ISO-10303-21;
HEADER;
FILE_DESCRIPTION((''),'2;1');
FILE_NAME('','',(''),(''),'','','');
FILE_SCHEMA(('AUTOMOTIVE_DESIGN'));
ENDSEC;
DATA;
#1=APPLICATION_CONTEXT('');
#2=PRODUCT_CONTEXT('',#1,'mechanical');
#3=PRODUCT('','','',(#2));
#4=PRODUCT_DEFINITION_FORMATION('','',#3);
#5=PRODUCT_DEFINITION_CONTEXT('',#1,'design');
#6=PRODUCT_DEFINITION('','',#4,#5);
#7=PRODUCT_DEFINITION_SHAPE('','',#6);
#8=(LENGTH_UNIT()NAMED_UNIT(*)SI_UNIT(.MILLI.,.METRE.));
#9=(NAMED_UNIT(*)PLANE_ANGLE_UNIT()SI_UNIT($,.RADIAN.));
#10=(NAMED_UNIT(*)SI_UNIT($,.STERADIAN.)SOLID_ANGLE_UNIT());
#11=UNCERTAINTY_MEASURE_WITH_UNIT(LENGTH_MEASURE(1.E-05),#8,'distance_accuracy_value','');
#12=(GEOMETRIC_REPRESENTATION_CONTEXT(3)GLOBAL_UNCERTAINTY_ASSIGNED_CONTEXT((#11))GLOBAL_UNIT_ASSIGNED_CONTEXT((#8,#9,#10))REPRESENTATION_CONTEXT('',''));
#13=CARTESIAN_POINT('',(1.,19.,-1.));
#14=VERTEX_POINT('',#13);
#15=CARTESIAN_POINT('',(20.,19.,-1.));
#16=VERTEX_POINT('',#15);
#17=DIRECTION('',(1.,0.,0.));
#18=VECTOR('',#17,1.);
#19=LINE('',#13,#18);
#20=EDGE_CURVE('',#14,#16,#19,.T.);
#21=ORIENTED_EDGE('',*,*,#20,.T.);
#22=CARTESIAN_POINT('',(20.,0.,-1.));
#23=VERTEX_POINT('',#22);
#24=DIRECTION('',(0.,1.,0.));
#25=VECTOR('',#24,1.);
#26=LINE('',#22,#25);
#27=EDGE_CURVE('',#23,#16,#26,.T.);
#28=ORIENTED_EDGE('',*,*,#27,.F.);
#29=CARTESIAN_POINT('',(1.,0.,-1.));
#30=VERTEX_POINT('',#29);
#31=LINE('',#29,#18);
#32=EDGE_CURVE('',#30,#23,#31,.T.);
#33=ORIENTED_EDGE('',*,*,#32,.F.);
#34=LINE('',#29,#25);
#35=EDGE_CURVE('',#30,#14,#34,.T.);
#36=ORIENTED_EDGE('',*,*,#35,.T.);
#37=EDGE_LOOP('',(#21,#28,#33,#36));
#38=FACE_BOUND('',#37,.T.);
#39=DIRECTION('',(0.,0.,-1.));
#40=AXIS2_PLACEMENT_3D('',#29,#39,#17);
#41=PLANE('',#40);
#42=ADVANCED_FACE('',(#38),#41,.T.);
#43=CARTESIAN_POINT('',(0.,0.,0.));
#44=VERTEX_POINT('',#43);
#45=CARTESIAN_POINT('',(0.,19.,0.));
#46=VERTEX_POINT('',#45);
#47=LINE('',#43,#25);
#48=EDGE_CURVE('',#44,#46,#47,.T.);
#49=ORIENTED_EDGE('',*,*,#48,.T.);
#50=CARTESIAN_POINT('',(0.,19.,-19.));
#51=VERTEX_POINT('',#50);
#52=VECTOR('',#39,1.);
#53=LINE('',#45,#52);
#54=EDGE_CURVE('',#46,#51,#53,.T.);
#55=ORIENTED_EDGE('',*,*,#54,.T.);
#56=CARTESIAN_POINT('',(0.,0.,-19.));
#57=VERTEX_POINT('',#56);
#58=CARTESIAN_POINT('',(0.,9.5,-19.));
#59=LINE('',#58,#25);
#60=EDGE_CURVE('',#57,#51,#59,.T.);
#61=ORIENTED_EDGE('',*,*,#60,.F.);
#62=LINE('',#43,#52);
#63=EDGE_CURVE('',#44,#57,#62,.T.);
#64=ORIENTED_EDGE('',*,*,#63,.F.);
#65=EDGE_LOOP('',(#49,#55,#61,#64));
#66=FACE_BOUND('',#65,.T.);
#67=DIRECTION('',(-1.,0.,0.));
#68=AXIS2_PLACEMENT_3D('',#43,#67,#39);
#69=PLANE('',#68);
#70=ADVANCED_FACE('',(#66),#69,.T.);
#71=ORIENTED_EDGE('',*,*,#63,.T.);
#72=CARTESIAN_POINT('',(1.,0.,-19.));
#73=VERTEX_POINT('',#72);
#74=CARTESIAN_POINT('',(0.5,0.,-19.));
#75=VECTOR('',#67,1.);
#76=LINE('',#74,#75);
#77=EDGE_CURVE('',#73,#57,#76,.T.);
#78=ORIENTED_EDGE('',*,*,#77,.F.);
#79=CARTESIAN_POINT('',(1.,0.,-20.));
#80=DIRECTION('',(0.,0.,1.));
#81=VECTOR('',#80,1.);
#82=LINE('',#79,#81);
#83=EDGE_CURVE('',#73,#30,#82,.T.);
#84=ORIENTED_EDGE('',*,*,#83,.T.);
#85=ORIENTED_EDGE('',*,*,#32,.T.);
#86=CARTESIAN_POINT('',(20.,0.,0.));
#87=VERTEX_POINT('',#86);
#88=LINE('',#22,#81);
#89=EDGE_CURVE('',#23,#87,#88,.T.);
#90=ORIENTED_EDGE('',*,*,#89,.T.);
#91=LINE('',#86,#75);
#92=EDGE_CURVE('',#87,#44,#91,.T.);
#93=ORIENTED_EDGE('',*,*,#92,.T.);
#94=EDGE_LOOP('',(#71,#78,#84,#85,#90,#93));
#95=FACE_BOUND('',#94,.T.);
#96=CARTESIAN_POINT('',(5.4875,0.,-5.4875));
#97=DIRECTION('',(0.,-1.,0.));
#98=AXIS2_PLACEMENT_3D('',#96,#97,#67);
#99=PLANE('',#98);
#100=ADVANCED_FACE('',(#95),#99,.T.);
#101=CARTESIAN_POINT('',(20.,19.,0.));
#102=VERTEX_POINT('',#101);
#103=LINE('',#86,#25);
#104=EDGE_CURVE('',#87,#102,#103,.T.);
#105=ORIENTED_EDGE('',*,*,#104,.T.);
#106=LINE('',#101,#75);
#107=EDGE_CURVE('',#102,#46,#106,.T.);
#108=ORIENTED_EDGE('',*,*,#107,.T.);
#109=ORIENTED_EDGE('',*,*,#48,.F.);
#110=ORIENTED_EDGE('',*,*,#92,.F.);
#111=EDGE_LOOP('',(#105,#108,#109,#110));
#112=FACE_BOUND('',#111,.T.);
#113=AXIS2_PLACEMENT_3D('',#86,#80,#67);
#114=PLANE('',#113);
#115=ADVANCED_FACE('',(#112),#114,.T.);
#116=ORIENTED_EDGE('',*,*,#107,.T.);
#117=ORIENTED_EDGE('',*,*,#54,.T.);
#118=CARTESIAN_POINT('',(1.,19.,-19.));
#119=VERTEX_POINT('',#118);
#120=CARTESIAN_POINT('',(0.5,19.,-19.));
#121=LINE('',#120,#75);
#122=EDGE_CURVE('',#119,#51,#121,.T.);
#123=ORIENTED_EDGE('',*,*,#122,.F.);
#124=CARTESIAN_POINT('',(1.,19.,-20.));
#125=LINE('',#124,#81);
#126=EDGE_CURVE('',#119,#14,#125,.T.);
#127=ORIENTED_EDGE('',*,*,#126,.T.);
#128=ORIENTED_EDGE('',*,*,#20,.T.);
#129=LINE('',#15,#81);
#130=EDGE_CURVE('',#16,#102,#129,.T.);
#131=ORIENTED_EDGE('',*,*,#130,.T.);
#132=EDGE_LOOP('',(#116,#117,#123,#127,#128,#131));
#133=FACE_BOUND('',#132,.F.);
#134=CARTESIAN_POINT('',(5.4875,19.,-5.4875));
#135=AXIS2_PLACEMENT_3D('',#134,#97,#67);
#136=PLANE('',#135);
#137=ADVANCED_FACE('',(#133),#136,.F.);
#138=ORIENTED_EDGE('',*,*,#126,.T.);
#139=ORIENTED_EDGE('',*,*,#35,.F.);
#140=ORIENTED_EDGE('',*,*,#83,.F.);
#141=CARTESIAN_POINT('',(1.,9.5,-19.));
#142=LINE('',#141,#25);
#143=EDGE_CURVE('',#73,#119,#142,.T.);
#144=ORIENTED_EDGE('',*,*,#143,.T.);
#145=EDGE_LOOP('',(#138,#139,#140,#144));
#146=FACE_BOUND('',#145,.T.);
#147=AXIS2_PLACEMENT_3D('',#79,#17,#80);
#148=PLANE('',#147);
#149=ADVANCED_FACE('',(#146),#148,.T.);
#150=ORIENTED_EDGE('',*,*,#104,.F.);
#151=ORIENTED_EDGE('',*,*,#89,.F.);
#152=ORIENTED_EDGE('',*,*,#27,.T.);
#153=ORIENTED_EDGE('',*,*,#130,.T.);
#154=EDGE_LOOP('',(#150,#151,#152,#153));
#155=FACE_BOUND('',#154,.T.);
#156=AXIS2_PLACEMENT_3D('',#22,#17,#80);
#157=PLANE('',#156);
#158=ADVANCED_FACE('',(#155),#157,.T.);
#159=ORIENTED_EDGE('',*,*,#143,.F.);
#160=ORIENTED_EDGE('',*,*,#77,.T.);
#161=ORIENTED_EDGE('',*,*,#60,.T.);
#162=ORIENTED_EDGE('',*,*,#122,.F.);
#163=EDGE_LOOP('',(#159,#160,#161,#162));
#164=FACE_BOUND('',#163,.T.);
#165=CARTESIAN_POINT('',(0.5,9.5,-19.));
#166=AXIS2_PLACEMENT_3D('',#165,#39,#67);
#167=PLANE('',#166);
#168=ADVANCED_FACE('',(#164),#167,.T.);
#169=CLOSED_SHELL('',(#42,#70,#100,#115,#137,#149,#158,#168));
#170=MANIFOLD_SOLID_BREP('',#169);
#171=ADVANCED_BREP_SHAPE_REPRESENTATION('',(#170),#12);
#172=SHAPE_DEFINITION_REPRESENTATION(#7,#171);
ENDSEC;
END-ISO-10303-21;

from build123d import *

# Parameters (mm, degrees)
EXTRUDE_1_DEPTH    = 19
SKETCH1_W          = 1
SKETCH1_H          = 19
CUT_EXTRUDE1_DEPTH = 1


with BuildPart() as part:
    # Эскиз1 → Бобышка-Вытянуть1 (new body)
    with BuildSketch(Plane(origin=(0, 0, 0), x_dir=(1, 0, 0), z_dir=(0, 1, 0))):
        Polygon((0, 0), (0, 20), (1, 20), (1, 1), (20, 1), (20, 0), align=None)
    extrude(amount=EXTRUDE_1_DEPTH)

    # Sketch1 → Cut-Extrude1 (cut)
    with BuildSketch(Plane(origin=(0, 0, -20), x_dir=(-1, 0, 0), z_dir=(0, 0, -1))):
        with Locations((-0.5, 9.5)):
            Rectangle(SKETCH1_W, SKETCH1_H)
    extrude(amount=-CUT_EXTRUDE1_DEPTH, mode=Mode.SUBTRACT)


solid = part.part
